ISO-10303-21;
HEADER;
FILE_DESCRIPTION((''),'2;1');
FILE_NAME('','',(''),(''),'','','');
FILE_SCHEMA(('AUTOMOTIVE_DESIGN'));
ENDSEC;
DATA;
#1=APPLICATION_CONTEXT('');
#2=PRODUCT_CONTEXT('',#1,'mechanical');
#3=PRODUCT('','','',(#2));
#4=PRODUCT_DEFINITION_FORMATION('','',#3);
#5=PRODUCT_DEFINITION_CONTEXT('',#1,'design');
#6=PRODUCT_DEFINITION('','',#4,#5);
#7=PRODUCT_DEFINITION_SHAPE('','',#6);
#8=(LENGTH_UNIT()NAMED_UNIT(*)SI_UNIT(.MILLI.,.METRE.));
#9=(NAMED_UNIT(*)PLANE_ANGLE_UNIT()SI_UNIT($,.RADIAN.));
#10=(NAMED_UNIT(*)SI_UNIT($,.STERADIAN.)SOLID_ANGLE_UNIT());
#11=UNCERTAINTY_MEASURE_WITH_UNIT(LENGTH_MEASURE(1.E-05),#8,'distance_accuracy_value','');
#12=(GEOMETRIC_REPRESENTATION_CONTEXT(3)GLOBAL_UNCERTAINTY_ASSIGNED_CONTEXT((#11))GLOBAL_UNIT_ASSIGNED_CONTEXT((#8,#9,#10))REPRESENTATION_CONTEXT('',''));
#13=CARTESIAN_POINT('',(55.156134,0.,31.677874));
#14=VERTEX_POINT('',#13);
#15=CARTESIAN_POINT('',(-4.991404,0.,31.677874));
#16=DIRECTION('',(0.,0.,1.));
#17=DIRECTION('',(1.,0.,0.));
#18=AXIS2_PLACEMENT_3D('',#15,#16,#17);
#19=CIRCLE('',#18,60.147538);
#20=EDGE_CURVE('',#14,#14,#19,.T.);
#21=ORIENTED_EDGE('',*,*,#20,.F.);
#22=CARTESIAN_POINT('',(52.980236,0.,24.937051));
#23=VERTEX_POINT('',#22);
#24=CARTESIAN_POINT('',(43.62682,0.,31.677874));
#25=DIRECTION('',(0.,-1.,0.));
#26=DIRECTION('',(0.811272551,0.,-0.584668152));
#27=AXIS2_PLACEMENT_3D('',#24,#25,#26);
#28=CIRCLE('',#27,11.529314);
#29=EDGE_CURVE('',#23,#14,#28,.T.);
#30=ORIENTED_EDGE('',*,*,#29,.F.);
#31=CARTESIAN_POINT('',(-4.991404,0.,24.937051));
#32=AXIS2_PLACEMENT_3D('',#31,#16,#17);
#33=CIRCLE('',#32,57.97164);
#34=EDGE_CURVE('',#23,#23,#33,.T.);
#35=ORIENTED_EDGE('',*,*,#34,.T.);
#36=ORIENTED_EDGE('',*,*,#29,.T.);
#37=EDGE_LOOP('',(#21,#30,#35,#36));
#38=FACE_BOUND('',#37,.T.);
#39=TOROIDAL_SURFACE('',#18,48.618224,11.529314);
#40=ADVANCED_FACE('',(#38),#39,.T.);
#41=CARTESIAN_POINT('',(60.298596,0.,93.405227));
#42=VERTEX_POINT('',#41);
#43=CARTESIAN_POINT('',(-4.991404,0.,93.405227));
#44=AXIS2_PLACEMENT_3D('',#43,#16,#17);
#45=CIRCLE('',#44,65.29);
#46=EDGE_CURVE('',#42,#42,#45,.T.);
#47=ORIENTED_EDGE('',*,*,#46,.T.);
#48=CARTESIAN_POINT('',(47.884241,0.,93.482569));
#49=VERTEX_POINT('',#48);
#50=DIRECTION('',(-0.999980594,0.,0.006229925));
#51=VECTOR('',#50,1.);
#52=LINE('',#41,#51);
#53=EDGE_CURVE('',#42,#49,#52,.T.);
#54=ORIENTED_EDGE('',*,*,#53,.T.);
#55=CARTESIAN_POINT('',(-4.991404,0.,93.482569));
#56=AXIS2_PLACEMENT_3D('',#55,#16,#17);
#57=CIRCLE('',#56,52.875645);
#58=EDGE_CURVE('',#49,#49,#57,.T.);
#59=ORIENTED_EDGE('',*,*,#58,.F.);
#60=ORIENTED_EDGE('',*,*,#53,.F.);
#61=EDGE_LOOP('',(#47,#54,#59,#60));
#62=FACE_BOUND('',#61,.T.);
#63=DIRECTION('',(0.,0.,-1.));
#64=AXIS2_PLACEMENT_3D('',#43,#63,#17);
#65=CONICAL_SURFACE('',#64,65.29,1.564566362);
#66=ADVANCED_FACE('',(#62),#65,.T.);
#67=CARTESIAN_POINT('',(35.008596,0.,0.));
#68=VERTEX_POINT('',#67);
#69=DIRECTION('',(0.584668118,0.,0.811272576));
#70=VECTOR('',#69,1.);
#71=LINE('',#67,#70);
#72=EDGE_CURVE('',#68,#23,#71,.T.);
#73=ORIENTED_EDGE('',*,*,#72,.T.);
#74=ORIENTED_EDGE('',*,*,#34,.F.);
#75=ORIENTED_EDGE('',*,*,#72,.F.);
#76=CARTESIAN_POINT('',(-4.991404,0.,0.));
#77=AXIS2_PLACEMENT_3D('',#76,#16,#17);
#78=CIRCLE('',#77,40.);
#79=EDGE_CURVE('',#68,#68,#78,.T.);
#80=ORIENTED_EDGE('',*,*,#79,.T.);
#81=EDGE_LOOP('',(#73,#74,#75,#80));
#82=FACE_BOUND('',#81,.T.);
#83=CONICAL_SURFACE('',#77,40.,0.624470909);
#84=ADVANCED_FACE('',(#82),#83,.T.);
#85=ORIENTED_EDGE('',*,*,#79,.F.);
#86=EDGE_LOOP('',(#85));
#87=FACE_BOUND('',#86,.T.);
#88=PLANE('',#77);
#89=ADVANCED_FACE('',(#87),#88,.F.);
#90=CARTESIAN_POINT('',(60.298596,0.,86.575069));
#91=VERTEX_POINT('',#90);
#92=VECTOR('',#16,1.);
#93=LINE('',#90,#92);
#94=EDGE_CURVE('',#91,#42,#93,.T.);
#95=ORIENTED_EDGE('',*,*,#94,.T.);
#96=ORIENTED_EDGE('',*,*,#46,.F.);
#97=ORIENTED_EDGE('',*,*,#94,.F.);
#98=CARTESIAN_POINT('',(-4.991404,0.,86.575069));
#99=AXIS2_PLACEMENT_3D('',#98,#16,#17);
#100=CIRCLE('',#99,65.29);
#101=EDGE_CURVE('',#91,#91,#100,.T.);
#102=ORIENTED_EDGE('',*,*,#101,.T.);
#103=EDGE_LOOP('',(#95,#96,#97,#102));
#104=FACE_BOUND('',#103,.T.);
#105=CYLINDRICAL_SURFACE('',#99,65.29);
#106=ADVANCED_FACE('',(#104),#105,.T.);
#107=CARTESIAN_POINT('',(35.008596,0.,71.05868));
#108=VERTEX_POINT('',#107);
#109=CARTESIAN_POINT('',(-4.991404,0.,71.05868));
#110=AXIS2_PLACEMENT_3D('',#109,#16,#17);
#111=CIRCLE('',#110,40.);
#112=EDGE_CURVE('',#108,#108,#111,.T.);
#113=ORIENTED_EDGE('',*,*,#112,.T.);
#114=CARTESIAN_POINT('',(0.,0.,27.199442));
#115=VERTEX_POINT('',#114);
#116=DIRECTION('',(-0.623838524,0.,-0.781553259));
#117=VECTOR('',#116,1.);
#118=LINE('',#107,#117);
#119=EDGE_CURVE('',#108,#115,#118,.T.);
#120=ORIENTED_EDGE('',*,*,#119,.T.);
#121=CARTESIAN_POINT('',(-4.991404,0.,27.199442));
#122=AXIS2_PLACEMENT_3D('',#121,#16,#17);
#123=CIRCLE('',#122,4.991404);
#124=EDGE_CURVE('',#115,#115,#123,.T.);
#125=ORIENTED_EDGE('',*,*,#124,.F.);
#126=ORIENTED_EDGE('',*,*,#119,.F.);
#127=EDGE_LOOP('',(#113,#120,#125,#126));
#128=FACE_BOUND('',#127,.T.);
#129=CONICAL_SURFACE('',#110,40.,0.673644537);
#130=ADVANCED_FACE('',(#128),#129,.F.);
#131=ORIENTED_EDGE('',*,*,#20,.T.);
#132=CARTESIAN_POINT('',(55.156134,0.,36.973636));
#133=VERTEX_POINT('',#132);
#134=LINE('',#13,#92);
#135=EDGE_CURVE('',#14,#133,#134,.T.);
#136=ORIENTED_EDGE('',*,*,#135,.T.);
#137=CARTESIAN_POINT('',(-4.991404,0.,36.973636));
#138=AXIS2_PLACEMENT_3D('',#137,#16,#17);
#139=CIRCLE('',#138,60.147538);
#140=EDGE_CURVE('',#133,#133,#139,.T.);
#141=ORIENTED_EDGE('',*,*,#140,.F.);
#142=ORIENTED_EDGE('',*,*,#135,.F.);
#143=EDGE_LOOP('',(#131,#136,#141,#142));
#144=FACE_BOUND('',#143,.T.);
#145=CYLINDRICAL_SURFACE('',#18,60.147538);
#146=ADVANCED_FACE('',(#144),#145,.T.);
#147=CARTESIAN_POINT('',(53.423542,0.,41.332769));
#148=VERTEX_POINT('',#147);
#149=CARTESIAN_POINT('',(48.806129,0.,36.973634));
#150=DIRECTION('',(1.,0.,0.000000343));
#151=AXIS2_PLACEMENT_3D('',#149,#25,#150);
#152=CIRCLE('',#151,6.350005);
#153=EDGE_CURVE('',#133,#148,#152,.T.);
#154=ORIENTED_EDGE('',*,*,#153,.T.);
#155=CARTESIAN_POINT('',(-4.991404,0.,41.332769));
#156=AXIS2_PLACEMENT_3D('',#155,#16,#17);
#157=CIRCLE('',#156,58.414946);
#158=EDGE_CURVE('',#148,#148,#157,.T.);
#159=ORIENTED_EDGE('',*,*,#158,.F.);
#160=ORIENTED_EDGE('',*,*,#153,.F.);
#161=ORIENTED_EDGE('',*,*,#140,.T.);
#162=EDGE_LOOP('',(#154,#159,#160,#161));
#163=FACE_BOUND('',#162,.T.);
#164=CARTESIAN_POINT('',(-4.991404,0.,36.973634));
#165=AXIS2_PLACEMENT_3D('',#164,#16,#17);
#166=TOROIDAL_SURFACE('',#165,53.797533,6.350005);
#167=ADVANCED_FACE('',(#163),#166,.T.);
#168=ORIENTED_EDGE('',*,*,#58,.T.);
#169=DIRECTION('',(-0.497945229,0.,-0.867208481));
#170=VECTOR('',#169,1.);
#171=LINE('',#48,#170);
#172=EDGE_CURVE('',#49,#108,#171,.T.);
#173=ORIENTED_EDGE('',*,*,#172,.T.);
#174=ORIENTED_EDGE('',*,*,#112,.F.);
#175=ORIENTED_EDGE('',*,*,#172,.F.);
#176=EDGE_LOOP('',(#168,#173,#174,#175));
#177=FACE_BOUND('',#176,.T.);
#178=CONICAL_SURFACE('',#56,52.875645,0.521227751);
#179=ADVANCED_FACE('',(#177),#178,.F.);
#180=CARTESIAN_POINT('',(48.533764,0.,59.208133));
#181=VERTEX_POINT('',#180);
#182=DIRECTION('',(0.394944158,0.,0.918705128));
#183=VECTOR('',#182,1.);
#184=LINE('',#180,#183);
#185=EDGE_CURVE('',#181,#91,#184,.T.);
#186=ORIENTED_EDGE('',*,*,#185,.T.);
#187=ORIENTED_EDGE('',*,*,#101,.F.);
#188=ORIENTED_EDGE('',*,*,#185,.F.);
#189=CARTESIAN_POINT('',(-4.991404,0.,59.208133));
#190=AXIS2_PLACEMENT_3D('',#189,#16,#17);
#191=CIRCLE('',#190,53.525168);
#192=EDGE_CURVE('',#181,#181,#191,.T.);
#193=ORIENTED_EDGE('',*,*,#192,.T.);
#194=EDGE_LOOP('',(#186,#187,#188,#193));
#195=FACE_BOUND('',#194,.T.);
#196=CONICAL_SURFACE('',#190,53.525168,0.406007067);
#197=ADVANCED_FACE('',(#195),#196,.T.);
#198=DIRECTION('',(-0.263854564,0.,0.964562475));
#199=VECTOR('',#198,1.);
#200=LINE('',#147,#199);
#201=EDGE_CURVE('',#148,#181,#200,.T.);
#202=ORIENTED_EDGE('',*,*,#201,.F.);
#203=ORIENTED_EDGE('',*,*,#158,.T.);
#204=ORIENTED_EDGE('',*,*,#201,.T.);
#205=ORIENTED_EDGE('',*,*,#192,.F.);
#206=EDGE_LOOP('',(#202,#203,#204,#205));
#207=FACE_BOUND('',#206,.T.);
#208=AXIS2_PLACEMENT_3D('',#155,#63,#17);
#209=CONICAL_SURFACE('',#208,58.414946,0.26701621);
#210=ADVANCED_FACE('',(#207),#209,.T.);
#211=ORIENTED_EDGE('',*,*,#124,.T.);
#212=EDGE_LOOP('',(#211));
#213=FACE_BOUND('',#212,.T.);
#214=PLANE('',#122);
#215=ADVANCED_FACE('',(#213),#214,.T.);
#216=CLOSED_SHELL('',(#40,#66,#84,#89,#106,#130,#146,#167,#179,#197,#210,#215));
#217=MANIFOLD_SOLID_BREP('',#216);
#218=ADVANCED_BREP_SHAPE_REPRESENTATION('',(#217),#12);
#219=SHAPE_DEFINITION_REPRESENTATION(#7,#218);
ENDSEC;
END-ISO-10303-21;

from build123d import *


with BuildPart() as f1:
    # F0 (on Front) → F1 (revolve)
    with BuildSketch(Plane.XZ):
        with BuildLine():
            Line((-4.991404, 27.199442), (-4.991404, 0))
            Line((-4.991404, 0), (35.008596, 0))
            Line((35.008596, 0), (52.980236, 24.937051))
            ThreePointArc((52.980236, 24.937051), (54.598683, 28.136221), (55.156134, 31.677874))
            Line((55.156134, 31.677874), (55.156134, 36.973636))
            ThreePointArc((55.156134, 36.973636), (54.70711, 39.319052), (53.423542, 41.332769))
            Line((53.423542, 41.332769), (48.533764, 59.208133))
            Line((48.533764, 59.208133), (60.298596, 86.575069))
            Line((60.298596, 86.575069), (60.298596, 93.405227))
            Line((60.298596, 93.405227), (47.884241, 93.482569))
            Line((47.884241, 93.482569), (35.008596, 71.05868))
            Line((35.008596, 71.05868), (0, 27.199442))
            Line((0, 27.199442), (-4.991404, 27.199442))
        make_face()
    revolve(axis=Axis((-4.991404, 0, 50.455429), (0, 0, 1)))


solid = f1.part
